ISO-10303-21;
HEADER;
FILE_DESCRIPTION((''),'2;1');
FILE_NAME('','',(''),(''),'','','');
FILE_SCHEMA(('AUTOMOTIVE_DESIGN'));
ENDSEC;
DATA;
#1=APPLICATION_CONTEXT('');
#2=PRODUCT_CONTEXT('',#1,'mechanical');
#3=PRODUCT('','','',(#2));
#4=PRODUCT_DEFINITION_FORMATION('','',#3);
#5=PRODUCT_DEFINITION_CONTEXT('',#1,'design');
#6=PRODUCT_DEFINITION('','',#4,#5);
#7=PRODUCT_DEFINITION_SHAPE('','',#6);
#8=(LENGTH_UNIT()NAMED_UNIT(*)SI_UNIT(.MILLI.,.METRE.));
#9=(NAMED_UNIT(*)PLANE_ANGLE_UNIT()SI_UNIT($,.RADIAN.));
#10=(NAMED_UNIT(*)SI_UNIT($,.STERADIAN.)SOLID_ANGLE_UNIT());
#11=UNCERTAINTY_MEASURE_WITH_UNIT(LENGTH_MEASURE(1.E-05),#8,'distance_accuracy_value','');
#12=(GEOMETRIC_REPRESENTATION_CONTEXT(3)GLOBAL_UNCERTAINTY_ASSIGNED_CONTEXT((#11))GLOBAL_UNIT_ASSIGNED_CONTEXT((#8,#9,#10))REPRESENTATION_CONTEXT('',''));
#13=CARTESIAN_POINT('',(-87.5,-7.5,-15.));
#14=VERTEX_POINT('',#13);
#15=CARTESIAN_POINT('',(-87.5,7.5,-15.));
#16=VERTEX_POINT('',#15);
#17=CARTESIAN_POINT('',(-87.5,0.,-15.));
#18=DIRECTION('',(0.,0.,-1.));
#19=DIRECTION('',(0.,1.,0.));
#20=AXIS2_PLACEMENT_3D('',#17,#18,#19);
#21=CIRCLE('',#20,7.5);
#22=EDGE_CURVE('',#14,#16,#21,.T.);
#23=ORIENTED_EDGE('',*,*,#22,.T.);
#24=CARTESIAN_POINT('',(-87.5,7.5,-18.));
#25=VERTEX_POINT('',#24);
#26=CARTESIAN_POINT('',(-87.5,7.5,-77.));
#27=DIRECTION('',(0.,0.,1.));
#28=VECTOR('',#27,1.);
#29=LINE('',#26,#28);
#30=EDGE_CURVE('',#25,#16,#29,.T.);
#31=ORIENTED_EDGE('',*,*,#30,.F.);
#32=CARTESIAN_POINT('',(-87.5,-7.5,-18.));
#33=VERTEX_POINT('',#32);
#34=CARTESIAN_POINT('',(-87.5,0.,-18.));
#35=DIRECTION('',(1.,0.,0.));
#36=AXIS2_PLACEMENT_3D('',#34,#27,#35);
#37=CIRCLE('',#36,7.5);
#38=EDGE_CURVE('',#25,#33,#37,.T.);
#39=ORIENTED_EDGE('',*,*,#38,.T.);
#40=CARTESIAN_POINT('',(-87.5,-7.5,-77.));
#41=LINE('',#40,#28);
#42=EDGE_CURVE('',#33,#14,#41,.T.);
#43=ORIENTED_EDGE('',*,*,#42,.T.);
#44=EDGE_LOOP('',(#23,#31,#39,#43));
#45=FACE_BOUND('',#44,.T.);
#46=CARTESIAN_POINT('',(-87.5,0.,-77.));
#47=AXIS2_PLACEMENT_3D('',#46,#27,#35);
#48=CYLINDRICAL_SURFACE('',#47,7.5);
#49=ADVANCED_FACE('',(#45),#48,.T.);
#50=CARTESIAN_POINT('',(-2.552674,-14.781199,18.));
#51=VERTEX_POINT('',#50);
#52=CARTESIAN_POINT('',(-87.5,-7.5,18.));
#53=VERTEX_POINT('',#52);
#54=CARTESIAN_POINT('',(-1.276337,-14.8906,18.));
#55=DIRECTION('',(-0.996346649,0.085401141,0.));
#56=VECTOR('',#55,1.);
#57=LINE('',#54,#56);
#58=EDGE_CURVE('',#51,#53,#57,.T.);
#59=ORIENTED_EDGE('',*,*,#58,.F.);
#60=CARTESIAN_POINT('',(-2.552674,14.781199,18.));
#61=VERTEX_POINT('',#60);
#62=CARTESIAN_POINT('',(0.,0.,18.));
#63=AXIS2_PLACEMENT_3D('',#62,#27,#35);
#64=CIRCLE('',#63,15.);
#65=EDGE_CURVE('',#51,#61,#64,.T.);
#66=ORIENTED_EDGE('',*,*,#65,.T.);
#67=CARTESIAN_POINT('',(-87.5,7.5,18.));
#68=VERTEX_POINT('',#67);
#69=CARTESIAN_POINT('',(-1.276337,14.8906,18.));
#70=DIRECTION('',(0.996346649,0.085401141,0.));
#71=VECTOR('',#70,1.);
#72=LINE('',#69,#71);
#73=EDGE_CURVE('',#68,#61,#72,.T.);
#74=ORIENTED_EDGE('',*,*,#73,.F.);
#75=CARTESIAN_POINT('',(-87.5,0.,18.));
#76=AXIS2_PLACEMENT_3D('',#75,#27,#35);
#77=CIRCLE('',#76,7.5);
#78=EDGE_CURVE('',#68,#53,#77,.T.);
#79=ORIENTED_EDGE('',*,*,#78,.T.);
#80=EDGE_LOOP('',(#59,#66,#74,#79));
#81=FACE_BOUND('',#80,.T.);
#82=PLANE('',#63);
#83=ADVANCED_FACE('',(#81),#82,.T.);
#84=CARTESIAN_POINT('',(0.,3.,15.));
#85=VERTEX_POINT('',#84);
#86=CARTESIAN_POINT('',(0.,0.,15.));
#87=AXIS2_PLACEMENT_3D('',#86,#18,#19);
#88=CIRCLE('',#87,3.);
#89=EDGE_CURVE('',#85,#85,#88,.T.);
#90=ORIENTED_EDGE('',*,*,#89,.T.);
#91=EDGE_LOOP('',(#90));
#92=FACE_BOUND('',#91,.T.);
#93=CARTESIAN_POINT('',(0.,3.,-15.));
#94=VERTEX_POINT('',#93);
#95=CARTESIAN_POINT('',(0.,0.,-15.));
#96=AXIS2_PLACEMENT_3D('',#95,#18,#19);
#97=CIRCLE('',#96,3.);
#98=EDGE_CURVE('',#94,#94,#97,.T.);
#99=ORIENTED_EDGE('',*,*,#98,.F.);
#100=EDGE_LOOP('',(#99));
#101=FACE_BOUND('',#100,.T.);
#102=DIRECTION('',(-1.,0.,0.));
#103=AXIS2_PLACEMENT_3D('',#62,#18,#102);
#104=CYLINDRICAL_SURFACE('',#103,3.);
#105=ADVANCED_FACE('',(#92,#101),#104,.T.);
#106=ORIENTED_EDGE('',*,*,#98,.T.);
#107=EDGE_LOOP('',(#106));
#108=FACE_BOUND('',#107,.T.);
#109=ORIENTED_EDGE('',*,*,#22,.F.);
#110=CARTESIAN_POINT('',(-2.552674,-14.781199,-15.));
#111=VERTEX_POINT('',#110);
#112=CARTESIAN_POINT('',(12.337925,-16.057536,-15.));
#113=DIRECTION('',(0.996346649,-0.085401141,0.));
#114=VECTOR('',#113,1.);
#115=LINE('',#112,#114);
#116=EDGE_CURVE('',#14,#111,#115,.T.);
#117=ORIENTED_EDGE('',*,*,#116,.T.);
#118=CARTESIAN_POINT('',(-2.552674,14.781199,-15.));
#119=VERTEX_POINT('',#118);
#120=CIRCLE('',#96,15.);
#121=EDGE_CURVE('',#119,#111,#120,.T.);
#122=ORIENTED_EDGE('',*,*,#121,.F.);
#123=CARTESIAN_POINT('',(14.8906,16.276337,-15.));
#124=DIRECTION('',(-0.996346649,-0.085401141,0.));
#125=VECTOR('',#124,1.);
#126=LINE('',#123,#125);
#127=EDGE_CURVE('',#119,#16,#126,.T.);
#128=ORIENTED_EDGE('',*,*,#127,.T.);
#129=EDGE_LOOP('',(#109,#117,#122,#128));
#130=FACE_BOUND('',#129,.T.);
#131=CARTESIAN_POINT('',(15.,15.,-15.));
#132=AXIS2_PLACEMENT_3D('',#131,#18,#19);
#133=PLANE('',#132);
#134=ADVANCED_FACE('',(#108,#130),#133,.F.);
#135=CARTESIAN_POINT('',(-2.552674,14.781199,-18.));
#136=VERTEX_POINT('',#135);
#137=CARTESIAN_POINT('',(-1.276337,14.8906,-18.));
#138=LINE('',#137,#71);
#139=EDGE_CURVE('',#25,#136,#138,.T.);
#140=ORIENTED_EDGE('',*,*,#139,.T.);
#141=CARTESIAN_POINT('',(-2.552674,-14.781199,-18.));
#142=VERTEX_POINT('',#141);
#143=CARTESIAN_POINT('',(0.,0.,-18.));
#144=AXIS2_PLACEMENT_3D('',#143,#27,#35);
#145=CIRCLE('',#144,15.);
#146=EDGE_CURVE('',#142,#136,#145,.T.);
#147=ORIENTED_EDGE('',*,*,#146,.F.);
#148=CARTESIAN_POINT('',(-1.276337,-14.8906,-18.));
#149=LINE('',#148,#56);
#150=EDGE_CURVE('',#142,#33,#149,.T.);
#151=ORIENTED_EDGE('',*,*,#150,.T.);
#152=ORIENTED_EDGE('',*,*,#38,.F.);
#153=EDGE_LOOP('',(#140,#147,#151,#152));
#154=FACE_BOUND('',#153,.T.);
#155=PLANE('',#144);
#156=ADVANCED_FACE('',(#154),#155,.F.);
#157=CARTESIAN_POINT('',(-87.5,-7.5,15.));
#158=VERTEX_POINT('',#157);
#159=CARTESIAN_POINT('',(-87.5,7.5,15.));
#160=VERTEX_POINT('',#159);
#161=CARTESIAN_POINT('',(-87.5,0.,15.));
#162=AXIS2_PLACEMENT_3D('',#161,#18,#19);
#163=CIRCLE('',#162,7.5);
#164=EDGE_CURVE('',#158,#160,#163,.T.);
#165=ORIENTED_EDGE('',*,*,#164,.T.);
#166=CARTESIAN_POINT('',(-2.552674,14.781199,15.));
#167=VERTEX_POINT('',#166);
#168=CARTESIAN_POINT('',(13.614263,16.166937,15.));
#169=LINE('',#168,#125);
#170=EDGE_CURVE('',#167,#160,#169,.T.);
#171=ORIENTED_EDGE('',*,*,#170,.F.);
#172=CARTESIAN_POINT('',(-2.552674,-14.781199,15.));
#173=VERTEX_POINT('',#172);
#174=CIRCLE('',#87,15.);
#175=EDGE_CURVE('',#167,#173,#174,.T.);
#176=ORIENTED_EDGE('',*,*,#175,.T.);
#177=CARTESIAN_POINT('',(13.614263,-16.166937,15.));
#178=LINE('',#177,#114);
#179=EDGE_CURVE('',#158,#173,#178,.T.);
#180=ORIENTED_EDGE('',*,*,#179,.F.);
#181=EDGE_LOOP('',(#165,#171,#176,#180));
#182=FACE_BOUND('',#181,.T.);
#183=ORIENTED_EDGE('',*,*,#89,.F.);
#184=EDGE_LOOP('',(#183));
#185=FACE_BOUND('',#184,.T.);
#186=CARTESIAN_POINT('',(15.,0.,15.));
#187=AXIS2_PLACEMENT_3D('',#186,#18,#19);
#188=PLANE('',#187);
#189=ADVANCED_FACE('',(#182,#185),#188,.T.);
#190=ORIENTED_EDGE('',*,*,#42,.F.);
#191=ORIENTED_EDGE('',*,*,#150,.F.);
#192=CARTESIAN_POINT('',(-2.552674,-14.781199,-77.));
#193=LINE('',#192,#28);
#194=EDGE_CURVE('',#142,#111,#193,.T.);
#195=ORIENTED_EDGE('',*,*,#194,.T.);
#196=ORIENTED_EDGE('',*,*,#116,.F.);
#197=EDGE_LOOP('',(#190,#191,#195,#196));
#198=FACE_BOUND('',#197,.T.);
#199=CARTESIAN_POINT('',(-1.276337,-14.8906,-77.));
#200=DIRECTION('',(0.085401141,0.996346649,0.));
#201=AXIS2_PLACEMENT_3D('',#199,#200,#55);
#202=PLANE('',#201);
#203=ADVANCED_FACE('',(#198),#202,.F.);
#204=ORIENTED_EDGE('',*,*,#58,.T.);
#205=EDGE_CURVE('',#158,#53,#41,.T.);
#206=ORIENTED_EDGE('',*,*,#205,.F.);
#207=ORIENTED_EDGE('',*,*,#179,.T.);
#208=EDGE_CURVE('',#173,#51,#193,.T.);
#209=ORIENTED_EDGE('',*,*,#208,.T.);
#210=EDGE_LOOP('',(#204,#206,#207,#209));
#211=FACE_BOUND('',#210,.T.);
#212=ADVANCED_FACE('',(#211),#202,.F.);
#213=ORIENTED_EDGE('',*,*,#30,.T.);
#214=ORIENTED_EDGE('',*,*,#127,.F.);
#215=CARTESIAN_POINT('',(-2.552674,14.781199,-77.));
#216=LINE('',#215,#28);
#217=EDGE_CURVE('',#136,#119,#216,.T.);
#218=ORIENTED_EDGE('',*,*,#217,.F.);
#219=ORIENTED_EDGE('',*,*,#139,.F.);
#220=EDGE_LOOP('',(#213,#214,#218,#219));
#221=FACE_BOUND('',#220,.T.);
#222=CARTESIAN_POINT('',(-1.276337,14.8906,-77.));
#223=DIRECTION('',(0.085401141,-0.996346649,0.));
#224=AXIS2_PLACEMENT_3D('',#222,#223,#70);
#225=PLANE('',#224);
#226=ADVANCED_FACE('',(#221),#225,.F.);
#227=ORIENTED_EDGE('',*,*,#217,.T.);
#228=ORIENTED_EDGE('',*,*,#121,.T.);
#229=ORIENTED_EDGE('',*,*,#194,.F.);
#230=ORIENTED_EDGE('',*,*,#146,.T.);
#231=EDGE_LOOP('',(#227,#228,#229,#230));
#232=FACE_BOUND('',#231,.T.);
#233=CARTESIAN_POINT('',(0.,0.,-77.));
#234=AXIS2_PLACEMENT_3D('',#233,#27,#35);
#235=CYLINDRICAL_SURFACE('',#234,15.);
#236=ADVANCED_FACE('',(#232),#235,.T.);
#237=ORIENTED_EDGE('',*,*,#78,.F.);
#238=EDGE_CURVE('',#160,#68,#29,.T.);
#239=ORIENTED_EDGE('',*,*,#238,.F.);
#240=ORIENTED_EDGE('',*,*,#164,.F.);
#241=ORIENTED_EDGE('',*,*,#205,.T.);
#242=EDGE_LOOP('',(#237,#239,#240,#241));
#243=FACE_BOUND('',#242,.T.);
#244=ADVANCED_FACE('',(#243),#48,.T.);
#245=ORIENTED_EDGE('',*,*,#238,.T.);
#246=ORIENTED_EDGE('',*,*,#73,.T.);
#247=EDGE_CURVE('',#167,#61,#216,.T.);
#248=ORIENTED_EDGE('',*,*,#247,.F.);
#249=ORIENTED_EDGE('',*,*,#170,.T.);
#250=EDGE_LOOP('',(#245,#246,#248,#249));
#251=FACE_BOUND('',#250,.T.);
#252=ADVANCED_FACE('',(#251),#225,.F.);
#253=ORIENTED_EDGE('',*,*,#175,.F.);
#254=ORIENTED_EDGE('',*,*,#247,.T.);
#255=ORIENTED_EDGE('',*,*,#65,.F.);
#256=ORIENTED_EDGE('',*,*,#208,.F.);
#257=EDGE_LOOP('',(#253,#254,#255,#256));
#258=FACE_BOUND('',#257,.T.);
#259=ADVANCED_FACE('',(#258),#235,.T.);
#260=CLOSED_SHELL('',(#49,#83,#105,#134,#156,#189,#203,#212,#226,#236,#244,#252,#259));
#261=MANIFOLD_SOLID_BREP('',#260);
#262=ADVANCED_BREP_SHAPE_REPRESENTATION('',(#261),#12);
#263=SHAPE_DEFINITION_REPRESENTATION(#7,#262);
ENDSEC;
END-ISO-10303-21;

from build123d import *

# Parameters (mm, degrees)
CROQUIS1_R              = 3
SALIENTE_EXTRUIR1_DEPTH = 18
CROQUIS2_R              = 3
SALIENTE_EXTRUIR2_DEPTH = 18
SALIENTE_EXTRUIR3_DEPTH = 15
CROQUIS4_W              = 3
CROQUIS4_H              = 30
SALIENTE_EXTRUIR4_DEPTH = 95
CORTAR_EXTRUIR1_DEPTH   = 95


with BuildPart() as part:
    # Croquis1 → Saliente-Extruir1 (new body)
    with BuildSketch(Plane.XY):
        Circle(CROQUIS1_R)
    extrude(amount=SALIENTE_EXTRUIR1_DEPTH)

    # Croquis2 → Saliente-Extruir2 (add)
    with BuildSketch(Plane.XY):
        Circle(CROQUIS2_R)
    extrude(amount=-SALIENTE_EXTRUIR2_DEPTH)

    # Croquis3 → Saliente-Extruir3 (add)
    with BuildSketch(Plane(origin=(0, 0, 0), x_dir=(0, 0, -1), z_dir=(1, 0, 0))):
        Polygon((-18, -15), (-18, 0), (-18, 15), (-15, 15), (-15, -15), align=None)
        Polygon((18, 0), (18, 15), (15, 15), (15, -15), (18, -15), align=None)
    extrude(amount=SALIENTE_EXTRUIR3_DEPTH)

    # Croquis4 → Saliente-Extruir4 (add)
    with BuildSketch(Plane(origin=(0, 0, 0), x_dir=(0, 0, -1), z_dir=(1, 0, 0))):
        with Locations((16.5, 0)):
            Rectangle(CROQUIS4_W, CROQUIS4_H)
        with Locations((-16.5, 0)):
            Rectangle(CROQUIS4_W, CROQUIS4_H)
    extrude(amount=-SALIENTE_EXTRUIR4_DEPTH)

    # Croquis5 → Cortar-Extruir1 (cut)
    with BuildSketch(Plane.XY.offset(18)):
        with BuildLine():
            ThreePointArc((-95, 0), (-92.803300859, 5.303300859), (-87.5, 7.5))
            Line((-87.5, 7.5), (-2.55267423, 14.781199352))
            ThreePointArc((-2.55267423, 14.781199352), (-1.28101712, 14.945199736), (0, 15))
            Line((0, 15), (-95, 15))
            Line((-95, 15), (-95, 0))
        make_face()
        with BuildLine():
            ThreePointArc((-87.5, -7.5), (-92.803300859, -5.303300859), (-95, 0))
            Line((-95, 0), (-95, -15))
            Line((-95, -15), (0, -15))
            ThreePointArc((0, -15), (-1.28101712, -14.945199736), (-2.55267423, -14.781199352))
            Line((-2.55267423, -14.781199352), (-87.5, -7.5))
        make_face()
        with BuildLine():
            Line((15, -15), (15, 0))
            ThreePointArc((15, 0), (10.606601718, -10.606601718), (0, -15))
            Line((0, -15), (15, -15))
        make_face()
        with BuildLine():
            Line((15, 15), (0, 15))
            ThreePointArc((0, 15), (10.606601718, 10.606601718), (15, 0))
            Line((15, 0), (15, 15))
        make_face()
    extrude(amount=-CORTAR_EXTRUIR1_DEPTH, mode=Mode.SUBTRACT)


solid = part.part
